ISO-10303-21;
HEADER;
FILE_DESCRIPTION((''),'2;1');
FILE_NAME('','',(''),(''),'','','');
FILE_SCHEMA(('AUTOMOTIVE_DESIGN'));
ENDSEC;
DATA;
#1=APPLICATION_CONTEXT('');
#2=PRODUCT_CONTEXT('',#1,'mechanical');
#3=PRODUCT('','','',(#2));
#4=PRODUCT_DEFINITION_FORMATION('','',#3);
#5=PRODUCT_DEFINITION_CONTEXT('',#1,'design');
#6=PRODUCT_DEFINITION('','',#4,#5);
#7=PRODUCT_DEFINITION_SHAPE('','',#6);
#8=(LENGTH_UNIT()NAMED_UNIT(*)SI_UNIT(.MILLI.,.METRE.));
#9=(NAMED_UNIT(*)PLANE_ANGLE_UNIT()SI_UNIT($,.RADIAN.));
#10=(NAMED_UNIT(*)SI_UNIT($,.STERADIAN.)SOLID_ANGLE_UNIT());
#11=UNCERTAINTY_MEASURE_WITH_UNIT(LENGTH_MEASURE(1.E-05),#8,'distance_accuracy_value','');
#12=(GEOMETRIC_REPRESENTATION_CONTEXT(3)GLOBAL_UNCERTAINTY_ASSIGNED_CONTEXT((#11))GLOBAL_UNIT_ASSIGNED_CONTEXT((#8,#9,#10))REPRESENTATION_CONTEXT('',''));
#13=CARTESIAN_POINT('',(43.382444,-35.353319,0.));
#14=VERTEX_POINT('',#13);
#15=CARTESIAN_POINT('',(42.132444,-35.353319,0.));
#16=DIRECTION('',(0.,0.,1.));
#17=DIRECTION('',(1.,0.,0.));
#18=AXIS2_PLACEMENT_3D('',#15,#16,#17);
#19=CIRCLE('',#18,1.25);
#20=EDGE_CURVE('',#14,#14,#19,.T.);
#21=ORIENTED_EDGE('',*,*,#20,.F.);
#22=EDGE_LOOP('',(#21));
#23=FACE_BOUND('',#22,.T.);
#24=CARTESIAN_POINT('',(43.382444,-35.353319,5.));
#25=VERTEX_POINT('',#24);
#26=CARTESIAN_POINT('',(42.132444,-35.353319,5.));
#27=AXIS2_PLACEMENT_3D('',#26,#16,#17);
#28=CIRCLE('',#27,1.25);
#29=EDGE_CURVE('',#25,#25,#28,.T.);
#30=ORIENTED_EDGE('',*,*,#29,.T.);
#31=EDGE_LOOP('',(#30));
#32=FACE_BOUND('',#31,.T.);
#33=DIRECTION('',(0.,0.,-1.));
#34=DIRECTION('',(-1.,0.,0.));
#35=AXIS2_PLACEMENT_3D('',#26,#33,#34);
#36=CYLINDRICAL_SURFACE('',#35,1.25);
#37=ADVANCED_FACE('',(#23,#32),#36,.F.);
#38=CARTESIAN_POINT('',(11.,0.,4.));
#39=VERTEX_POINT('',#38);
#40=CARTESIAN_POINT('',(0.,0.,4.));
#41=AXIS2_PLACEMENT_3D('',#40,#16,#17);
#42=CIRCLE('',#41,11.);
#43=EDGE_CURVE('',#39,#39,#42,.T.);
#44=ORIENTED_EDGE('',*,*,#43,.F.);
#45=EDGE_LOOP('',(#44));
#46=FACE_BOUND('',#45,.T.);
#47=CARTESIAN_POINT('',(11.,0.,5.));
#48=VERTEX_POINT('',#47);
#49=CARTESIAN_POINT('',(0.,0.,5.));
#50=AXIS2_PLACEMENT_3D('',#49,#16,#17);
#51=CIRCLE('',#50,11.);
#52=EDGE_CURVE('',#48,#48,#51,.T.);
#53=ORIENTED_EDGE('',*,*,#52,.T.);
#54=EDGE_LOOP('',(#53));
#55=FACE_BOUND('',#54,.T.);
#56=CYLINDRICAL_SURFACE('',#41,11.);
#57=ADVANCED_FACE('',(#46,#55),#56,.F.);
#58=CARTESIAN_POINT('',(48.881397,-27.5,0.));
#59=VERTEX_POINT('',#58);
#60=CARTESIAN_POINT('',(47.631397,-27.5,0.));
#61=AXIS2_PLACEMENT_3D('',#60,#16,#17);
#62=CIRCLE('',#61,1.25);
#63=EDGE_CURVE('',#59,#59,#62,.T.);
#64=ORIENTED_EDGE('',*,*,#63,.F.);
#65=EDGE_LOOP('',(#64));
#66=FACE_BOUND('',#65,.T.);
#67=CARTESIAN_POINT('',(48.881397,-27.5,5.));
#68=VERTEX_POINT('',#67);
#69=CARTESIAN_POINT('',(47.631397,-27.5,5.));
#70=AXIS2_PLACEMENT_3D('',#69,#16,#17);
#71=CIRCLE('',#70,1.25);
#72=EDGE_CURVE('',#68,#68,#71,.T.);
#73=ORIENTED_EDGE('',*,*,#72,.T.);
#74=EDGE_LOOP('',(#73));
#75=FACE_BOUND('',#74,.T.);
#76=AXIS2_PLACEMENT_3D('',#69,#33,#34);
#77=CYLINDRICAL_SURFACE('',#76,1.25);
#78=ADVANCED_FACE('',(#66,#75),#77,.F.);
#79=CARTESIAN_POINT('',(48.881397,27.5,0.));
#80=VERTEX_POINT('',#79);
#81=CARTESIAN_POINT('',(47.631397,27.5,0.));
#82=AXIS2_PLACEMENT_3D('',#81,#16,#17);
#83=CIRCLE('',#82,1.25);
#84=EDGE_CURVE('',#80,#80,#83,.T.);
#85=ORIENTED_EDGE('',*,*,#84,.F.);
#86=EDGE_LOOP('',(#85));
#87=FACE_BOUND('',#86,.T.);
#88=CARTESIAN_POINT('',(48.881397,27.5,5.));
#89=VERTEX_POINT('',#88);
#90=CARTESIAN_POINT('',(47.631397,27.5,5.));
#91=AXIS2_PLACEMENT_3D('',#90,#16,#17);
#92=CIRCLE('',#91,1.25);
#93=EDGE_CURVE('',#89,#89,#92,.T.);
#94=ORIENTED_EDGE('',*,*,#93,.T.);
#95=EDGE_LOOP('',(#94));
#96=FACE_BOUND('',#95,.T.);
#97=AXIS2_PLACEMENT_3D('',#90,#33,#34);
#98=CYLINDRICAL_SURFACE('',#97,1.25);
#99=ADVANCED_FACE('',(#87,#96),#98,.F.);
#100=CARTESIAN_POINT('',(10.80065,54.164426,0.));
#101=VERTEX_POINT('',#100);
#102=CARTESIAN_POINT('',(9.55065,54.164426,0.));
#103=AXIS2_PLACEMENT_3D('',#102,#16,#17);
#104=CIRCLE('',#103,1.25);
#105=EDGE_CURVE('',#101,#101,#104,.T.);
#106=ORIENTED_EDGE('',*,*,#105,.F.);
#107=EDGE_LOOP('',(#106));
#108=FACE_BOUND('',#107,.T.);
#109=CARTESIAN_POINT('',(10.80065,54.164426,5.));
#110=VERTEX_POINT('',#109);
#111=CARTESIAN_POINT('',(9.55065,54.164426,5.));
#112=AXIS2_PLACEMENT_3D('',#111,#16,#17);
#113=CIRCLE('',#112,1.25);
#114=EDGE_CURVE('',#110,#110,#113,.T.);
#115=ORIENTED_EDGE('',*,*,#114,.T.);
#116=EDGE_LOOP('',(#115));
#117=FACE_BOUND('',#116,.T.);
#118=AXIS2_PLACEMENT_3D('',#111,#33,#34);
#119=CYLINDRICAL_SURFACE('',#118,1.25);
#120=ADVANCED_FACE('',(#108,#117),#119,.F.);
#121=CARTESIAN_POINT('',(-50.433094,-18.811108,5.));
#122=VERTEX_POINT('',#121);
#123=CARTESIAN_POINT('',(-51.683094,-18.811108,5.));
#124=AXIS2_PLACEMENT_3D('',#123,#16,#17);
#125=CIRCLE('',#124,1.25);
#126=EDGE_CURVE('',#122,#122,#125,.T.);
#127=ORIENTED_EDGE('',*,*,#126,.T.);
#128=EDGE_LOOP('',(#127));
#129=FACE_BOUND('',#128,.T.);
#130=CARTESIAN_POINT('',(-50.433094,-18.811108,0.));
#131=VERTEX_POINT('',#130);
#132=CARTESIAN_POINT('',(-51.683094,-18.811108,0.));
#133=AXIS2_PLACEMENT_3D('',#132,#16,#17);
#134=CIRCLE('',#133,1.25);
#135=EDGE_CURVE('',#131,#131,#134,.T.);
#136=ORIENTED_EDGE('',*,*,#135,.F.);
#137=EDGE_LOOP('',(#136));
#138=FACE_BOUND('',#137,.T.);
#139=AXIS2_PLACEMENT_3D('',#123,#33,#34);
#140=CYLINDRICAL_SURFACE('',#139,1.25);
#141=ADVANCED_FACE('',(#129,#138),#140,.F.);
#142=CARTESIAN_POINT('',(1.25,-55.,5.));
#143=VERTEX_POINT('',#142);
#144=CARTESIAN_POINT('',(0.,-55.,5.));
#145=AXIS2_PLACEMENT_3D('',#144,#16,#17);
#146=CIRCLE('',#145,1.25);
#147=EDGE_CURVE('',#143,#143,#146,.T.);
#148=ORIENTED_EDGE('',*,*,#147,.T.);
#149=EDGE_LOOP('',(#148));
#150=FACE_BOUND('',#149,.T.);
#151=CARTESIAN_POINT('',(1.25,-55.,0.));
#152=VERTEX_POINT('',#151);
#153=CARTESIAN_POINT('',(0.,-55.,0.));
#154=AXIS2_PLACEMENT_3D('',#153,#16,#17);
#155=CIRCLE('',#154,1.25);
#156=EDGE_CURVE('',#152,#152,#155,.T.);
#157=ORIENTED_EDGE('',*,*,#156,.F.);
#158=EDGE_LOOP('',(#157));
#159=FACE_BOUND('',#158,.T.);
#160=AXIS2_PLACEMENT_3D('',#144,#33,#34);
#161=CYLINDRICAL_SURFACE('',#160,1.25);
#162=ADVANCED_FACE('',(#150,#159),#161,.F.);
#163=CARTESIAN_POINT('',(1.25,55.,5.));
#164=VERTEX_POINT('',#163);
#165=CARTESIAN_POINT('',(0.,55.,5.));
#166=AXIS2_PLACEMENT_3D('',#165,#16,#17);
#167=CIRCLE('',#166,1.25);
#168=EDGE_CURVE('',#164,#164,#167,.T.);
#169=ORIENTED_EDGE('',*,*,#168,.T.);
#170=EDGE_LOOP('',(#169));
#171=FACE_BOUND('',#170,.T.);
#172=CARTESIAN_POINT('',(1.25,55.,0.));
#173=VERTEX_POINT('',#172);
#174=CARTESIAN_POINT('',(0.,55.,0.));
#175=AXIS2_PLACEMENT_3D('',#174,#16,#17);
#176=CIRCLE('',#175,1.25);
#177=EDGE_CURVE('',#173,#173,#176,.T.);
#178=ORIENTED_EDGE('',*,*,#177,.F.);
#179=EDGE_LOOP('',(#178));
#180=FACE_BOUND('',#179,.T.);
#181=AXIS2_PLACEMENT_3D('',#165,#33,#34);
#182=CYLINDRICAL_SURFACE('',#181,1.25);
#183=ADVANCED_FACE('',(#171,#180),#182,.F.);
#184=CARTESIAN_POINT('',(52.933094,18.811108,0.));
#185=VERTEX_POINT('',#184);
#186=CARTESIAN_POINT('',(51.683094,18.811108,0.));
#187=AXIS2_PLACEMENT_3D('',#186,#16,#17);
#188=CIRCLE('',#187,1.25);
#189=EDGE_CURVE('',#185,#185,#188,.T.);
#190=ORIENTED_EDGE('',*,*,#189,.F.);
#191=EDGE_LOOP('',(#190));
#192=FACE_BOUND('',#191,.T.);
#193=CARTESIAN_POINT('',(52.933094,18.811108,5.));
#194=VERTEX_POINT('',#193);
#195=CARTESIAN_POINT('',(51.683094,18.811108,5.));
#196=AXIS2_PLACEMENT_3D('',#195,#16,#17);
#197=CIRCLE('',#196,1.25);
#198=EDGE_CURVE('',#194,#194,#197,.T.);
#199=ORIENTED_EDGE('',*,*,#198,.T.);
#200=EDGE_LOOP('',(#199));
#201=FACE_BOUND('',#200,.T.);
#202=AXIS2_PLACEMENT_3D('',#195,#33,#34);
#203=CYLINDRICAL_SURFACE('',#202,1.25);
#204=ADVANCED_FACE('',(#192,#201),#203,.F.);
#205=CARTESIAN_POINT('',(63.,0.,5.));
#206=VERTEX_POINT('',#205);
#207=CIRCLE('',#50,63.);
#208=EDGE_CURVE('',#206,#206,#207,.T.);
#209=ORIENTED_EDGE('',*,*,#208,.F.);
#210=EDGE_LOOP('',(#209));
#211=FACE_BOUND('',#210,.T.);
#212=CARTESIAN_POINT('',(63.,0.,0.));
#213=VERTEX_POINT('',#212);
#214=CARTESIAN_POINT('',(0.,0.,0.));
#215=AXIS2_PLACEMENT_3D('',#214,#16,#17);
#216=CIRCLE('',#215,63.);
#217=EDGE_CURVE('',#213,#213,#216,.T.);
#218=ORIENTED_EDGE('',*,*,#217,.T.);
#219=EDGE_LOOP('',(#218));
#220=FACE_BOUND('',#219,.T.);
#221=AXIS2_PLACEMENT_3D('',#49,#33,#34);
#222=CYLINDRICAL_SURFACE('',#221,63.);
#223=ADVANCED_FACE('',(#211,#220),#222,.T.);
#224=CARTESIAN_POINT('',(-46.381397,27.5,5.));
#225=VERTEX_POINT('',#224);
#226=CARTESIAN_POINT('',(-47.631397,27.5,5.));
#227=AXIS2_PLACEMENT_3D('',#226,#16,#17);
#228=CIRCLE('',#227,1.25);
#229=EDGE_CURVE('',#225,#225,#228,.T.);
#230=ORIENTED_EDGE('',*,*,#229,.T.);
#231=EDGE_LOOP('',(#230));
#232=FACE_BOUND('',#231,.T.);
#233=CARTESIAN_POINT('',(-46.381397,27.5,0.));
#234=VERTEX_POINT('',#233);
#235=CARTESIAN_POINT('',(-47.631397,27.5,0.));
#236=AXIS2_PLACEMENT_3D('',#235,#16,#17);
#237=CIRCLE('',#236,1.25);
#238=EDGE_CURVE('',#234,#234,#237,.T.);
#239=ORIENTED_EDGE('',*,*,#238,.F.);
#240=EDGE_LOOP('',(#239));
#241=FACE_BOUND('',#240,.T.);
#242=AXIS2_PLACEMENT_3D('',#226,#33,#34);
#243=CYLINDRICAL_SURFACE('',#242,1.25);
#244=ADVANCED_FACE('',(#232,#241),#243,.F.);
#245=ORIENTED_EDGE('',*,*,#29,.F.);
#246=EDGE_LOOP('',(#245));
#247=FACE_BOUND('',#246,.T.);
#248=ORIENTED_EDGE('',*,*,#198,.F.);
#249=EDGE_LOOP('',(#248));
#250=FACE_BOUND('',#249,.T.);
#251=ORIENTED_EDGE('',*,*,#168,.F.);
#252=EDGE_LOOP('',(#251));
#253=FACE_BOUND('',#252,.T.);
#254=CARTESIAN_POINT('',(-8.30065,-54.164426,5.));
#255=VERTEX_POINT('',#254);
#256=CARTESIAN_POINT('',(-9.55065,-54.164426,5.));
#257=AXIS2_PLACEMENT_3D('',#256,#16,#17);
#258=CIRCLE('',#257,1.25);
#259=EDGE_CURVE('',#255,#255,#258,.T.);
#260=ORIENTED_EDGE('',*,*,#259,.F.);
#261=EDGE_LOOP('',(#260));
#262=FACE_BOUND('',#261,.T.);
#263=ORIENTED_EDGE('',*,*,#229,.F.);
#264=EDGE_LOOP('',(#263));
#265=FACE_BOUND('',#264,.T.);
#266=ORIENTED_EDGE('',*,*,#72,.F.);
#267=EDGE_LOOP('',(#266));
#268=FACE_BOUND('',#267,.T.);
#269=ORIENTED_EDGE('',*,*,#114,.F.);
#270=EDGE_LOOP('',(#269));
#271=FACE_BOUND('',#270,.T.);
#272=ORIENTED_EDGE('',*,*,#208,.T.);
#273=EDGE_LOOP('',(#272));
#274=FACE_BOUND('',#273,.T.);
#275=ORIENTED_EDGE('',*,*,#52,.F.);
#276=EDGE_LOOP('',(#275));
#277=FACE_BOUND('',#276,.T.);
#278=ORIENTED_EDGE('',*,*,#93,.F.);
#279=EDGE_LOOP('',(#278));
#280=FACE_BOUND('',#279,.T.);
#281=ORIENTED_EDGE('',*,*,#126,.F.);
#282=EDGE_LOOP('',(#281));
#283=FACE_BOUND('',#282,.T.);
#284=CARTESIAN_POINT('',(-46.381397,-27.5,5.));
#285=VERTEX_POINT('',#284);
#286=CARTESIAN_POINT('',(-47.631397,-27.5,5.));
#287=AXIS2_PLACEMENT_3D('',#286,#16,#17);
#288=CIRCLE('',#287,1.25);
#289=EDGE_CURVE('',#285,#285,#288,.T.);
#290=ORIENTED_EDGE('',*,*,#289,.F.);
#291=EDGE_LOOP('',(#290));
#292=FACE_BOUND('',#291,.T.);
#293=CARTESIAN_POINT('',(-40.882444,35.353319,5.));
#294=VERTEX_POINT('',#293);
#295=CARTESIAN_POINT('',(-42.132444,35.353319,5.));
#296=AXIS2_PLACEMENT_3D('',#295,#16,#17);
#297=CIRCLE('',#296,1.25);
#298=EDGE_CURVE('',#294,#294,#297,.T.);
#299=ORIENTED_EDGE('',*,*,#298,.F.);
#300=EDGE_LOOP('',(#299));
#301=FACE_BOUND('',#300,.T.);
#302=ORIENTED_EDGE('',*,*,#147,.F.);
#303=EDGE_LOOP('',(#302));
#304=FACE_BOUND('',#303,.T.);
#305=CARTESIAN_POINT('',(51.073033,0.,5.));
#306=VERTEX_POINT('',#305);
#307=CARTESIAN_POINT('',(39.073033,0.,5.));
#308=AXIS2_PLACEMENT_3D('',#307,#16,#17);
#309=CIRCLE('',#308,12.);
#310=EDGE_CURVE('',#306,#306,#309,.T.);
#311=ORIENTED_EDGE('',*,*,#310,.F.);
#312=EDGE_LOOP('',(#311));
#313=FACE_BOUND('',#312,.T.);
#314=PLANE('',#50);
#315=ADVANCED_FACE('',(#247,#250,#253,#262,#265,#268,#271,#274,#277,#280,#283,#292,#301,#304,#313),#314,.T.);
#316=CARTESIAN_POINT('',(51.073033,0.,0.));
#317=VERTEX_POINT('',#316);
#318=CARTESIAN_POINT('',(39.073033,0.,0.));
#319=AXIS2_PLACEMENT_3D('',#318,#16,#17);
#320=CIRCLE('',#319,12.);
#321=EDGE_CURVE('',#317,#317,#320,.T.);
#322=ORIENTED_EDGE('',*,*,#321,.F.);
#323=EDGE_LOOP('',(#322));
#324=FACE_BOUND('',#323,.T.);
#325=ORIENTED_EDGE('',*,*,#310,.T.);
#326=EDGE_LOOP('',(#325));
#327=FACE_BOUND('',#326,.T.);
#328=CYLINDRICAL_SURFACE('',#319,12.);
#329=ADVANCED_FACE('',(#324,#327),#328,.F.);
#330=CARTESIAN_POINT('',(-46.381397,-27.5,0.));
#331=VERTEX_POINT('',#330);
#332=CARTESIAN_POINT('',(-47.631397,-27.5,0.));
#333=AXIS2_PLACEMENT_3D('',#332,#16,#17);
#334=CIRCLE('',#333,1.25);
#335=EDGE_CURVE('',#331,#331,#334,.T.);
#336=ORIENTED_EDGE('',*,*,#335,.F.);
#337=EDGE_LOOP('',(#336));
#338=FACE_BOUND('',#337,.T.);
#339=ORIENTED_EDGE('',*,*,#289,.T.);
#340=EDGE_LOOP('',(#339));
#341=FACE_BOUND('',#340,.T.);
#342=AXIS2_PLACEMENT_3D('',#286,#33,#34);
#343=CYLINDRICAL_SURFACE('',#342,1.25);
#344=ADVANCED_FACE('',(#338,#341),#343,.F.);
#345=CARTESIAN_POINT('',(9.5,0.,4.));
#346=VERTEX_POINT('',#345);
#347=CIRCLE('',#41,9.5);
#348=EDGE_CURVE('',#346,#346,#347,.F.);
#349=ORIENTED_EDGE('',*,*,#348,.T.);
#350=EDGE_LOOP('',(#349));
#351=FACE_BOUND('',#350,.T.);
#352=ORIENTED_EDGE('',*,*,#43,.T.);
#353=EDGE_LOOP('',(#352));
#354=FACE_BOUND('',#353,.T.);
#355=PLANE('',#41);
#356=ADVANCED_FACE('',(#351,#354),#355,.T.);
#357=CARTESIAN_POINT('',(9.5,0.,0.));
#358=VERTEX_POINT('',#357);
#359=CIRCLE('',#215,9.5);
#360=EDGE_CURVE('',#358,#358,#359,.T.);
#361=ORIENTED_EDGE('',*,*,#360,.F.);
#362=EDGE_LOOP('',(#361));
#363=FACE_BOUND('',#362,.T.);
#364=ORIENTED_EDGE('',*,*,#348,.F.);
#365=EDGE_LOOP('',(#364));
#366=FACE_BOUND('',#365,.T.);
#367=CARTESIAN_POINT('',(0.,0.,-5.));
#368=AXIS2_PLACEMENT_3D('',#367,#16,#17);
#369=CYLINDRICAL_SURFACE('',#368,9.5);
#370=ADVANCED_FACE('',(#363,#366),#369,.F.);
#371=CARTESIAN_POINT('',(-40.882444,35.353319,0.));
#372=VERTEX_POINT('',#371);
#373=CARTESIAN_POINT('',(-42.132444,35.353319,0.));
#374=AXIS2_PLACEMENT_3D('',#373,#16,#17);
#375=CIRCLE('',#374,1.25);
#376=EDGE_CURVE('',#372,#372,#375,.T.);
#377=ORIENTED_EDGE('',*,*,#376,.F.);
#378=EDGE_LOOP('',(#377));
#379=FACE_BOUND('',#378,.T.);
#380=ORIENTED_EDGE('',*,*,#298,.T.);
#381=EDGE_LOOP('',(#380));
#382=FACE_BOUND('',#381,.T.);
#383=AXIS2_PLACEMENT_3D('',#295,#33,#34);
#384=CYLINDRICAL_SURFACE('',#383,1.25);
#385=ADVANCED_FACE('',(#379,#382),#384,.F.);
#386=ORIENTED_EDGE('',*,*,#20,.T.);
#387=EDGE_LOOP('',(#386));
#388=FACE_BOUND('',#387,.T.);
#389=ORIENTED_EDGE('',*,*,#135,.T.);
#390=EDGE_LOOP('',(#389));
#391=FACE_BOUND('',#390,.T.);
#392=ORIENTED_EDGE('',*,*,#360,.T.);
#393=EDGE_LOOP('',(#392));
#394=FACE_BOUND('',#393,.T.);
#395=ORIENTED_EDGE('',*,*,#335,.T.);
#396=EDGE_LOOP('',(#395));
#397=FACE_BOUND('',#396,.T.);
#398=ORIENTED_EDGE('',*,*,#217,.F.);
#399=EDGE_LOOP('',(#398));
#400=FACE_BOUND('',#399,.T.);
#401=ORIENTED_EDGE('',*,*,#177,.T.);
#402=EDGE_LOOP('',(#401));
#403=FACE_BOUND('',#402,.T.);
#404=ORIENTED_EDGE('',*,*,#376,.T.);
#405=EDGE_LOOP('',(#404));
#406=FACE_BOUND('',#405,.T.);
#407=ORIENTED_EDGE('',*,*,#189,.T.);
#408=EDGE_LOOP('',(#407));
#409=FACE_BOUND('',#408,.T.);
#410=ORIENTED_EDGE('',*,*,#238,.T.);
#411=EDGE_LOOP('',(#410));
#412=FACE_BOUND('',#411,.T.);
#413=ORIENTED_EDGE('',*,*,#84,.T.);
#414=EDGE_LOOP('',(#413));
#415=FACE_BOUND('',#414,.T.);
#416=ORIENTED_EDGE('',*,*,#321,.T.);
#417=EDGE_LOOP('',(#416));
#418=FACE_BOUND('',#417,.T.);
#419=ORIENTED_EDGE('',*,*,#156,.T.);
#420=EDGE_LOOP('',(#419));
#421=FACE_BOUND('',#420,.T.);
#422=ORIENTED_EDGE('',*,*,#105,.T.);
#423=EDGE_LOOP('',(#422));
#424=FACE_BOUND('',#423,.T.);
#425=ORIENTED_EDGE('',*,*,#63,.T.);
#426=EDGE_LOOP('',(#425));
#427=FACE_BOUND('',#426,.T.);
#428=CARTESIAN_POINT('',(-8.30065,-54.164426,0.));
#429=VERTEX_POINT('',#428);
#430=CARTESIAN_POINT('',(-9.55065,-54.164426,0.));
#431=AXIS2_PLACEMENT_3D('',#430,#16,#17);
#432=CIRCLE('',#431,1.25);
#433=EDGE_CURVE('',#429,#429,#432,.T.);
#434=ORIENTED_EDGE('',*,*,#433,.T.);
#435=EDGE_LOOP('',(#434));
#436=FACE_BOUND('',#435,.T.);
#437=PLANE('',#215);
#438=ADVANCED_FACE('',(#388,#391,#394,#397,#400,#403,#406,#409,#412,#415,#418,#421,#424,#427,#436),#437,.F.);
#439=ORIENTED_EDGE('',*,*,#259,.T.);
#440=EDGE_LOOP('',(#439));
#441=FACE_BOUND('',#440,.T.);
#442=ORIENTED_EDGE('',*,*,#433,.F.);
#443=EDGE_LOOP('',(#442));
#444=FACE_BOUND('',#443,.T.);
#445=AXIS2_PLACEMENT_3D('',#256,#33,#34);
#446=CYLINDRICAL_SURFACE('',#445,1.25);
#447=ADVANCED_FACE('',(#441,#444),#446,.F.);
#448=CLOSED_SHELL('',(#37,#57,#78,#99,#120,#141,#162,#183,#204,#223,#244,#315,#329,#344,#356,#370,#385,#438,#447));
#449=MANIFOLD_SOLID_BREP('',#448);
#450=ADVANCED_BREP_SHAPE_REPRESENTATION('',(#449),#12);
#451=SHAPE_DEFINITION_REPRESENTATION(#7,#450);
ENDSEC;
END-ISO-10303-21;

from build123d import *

# Parameters (mm, degrees)
SKETCH_1_R          = 63
SKETCH_1_R_2        = 1.25
EXTRUDE_1_DEPTH     = 5
SKETCH_2_R          = 12
CUT_EXTRUDE_4_DEPTH = 5
SKETCH_3_R          = 9.5
CUT_EXTRUDE_5_DEPTH = 10
SKETCH_4_R          = 11
CUT_EXTRUDE_6_DEPTH = 1


with BuildPart() as part:
    # 草图1 → 凸台-拉伸1 (new body)
    with BuildSketch(Plane.XY):
        Circle(SKETCH_1_R)
        with Locations((0, 55)):
            Circle(SKETCH_1_R_2, mode=Mode.SUBTRACT)
        with Locations((47.631397208, 27.5)):
            Circle(SKETCH_1_R_2, mode=Mode.SUBTRACT)
        with Locations((47.631397208, -27.5)):
            Circle(SKETCH_1_R_2, mode=Mode.SUBTRACT)
        with Locations((0, -55)):
            Circle(SKETCH_1_R_2, mode=Mode.SUBTRACT)
        with Locations((-47.631397208, -27.5)):
            Circle(SKETCH_1_R_2, mode=Mode.SUBTRACT)
        with Locations((-47.631397208, 27.5)):
            Circle(SKETCH_1_R_2, mode=Mode.SUBTRACT)
        with Locations((-42.132444372, 35.353318533)):
            Circle(SKETCH_1_R_2, mode=Mode.SUBTRACT)
        with Locations((9.550649772, 54.164426416)):
            Circle(SKETCH_1_R_2, mode=Mode.SUBTRACT)
        with Locations((51.683094143, 18.811107883)):
            Circle(SKETCH_1_R_2, mode=Mode.SUBTRACT)
        with Locations((42.132444372, -35.353318533)):
            Circle(SKETCH_1_R_2, mode=Mode.SUBTRACT)
        with Locations((-9.550649772, -54.164426416)):
            Circle(SKETCH_1_R_2, mode=Mode.SUBTRACT)
        with Locations((-51.683094143, -18.811107883)):
            Circle(SKETCH_1_R_2, mode=Mode.SUBTRACT)
    extrude(amount=EXTRUDE_1_DEPTH)

    # 草图2 → 切除-拉伸4 (cut)
    with BuildSketch(Plane.XY.offset(5)):
        with Locations((39.073033019, 0)):
            Circle(SKETCH_2_R)
    extrude(amount=-CUT_EXTRUDE_4_DEPTH, mode=Mode.SUBTRACT)

    # 草图3 → 切除-拉伸5 (cut)
    with BuildSketch(Plane.XY.offset(5)):
        Circle(SKETCH_3_R)
    extrude(amount=-CUT_EXTRUDE_5_DEPTH, mode=Mode.SUBTRACT)

    # 草图4 → 切除-拉伸6 (cut)
    with BuildSketch(Plane.XY.offset(5)):
        Circle(SKETCH_4_R)
    extrude(amount=-CUT_EXTRUDE_6_DEPTH, mode=Mode.SUBTRACT)


solid = part.part
